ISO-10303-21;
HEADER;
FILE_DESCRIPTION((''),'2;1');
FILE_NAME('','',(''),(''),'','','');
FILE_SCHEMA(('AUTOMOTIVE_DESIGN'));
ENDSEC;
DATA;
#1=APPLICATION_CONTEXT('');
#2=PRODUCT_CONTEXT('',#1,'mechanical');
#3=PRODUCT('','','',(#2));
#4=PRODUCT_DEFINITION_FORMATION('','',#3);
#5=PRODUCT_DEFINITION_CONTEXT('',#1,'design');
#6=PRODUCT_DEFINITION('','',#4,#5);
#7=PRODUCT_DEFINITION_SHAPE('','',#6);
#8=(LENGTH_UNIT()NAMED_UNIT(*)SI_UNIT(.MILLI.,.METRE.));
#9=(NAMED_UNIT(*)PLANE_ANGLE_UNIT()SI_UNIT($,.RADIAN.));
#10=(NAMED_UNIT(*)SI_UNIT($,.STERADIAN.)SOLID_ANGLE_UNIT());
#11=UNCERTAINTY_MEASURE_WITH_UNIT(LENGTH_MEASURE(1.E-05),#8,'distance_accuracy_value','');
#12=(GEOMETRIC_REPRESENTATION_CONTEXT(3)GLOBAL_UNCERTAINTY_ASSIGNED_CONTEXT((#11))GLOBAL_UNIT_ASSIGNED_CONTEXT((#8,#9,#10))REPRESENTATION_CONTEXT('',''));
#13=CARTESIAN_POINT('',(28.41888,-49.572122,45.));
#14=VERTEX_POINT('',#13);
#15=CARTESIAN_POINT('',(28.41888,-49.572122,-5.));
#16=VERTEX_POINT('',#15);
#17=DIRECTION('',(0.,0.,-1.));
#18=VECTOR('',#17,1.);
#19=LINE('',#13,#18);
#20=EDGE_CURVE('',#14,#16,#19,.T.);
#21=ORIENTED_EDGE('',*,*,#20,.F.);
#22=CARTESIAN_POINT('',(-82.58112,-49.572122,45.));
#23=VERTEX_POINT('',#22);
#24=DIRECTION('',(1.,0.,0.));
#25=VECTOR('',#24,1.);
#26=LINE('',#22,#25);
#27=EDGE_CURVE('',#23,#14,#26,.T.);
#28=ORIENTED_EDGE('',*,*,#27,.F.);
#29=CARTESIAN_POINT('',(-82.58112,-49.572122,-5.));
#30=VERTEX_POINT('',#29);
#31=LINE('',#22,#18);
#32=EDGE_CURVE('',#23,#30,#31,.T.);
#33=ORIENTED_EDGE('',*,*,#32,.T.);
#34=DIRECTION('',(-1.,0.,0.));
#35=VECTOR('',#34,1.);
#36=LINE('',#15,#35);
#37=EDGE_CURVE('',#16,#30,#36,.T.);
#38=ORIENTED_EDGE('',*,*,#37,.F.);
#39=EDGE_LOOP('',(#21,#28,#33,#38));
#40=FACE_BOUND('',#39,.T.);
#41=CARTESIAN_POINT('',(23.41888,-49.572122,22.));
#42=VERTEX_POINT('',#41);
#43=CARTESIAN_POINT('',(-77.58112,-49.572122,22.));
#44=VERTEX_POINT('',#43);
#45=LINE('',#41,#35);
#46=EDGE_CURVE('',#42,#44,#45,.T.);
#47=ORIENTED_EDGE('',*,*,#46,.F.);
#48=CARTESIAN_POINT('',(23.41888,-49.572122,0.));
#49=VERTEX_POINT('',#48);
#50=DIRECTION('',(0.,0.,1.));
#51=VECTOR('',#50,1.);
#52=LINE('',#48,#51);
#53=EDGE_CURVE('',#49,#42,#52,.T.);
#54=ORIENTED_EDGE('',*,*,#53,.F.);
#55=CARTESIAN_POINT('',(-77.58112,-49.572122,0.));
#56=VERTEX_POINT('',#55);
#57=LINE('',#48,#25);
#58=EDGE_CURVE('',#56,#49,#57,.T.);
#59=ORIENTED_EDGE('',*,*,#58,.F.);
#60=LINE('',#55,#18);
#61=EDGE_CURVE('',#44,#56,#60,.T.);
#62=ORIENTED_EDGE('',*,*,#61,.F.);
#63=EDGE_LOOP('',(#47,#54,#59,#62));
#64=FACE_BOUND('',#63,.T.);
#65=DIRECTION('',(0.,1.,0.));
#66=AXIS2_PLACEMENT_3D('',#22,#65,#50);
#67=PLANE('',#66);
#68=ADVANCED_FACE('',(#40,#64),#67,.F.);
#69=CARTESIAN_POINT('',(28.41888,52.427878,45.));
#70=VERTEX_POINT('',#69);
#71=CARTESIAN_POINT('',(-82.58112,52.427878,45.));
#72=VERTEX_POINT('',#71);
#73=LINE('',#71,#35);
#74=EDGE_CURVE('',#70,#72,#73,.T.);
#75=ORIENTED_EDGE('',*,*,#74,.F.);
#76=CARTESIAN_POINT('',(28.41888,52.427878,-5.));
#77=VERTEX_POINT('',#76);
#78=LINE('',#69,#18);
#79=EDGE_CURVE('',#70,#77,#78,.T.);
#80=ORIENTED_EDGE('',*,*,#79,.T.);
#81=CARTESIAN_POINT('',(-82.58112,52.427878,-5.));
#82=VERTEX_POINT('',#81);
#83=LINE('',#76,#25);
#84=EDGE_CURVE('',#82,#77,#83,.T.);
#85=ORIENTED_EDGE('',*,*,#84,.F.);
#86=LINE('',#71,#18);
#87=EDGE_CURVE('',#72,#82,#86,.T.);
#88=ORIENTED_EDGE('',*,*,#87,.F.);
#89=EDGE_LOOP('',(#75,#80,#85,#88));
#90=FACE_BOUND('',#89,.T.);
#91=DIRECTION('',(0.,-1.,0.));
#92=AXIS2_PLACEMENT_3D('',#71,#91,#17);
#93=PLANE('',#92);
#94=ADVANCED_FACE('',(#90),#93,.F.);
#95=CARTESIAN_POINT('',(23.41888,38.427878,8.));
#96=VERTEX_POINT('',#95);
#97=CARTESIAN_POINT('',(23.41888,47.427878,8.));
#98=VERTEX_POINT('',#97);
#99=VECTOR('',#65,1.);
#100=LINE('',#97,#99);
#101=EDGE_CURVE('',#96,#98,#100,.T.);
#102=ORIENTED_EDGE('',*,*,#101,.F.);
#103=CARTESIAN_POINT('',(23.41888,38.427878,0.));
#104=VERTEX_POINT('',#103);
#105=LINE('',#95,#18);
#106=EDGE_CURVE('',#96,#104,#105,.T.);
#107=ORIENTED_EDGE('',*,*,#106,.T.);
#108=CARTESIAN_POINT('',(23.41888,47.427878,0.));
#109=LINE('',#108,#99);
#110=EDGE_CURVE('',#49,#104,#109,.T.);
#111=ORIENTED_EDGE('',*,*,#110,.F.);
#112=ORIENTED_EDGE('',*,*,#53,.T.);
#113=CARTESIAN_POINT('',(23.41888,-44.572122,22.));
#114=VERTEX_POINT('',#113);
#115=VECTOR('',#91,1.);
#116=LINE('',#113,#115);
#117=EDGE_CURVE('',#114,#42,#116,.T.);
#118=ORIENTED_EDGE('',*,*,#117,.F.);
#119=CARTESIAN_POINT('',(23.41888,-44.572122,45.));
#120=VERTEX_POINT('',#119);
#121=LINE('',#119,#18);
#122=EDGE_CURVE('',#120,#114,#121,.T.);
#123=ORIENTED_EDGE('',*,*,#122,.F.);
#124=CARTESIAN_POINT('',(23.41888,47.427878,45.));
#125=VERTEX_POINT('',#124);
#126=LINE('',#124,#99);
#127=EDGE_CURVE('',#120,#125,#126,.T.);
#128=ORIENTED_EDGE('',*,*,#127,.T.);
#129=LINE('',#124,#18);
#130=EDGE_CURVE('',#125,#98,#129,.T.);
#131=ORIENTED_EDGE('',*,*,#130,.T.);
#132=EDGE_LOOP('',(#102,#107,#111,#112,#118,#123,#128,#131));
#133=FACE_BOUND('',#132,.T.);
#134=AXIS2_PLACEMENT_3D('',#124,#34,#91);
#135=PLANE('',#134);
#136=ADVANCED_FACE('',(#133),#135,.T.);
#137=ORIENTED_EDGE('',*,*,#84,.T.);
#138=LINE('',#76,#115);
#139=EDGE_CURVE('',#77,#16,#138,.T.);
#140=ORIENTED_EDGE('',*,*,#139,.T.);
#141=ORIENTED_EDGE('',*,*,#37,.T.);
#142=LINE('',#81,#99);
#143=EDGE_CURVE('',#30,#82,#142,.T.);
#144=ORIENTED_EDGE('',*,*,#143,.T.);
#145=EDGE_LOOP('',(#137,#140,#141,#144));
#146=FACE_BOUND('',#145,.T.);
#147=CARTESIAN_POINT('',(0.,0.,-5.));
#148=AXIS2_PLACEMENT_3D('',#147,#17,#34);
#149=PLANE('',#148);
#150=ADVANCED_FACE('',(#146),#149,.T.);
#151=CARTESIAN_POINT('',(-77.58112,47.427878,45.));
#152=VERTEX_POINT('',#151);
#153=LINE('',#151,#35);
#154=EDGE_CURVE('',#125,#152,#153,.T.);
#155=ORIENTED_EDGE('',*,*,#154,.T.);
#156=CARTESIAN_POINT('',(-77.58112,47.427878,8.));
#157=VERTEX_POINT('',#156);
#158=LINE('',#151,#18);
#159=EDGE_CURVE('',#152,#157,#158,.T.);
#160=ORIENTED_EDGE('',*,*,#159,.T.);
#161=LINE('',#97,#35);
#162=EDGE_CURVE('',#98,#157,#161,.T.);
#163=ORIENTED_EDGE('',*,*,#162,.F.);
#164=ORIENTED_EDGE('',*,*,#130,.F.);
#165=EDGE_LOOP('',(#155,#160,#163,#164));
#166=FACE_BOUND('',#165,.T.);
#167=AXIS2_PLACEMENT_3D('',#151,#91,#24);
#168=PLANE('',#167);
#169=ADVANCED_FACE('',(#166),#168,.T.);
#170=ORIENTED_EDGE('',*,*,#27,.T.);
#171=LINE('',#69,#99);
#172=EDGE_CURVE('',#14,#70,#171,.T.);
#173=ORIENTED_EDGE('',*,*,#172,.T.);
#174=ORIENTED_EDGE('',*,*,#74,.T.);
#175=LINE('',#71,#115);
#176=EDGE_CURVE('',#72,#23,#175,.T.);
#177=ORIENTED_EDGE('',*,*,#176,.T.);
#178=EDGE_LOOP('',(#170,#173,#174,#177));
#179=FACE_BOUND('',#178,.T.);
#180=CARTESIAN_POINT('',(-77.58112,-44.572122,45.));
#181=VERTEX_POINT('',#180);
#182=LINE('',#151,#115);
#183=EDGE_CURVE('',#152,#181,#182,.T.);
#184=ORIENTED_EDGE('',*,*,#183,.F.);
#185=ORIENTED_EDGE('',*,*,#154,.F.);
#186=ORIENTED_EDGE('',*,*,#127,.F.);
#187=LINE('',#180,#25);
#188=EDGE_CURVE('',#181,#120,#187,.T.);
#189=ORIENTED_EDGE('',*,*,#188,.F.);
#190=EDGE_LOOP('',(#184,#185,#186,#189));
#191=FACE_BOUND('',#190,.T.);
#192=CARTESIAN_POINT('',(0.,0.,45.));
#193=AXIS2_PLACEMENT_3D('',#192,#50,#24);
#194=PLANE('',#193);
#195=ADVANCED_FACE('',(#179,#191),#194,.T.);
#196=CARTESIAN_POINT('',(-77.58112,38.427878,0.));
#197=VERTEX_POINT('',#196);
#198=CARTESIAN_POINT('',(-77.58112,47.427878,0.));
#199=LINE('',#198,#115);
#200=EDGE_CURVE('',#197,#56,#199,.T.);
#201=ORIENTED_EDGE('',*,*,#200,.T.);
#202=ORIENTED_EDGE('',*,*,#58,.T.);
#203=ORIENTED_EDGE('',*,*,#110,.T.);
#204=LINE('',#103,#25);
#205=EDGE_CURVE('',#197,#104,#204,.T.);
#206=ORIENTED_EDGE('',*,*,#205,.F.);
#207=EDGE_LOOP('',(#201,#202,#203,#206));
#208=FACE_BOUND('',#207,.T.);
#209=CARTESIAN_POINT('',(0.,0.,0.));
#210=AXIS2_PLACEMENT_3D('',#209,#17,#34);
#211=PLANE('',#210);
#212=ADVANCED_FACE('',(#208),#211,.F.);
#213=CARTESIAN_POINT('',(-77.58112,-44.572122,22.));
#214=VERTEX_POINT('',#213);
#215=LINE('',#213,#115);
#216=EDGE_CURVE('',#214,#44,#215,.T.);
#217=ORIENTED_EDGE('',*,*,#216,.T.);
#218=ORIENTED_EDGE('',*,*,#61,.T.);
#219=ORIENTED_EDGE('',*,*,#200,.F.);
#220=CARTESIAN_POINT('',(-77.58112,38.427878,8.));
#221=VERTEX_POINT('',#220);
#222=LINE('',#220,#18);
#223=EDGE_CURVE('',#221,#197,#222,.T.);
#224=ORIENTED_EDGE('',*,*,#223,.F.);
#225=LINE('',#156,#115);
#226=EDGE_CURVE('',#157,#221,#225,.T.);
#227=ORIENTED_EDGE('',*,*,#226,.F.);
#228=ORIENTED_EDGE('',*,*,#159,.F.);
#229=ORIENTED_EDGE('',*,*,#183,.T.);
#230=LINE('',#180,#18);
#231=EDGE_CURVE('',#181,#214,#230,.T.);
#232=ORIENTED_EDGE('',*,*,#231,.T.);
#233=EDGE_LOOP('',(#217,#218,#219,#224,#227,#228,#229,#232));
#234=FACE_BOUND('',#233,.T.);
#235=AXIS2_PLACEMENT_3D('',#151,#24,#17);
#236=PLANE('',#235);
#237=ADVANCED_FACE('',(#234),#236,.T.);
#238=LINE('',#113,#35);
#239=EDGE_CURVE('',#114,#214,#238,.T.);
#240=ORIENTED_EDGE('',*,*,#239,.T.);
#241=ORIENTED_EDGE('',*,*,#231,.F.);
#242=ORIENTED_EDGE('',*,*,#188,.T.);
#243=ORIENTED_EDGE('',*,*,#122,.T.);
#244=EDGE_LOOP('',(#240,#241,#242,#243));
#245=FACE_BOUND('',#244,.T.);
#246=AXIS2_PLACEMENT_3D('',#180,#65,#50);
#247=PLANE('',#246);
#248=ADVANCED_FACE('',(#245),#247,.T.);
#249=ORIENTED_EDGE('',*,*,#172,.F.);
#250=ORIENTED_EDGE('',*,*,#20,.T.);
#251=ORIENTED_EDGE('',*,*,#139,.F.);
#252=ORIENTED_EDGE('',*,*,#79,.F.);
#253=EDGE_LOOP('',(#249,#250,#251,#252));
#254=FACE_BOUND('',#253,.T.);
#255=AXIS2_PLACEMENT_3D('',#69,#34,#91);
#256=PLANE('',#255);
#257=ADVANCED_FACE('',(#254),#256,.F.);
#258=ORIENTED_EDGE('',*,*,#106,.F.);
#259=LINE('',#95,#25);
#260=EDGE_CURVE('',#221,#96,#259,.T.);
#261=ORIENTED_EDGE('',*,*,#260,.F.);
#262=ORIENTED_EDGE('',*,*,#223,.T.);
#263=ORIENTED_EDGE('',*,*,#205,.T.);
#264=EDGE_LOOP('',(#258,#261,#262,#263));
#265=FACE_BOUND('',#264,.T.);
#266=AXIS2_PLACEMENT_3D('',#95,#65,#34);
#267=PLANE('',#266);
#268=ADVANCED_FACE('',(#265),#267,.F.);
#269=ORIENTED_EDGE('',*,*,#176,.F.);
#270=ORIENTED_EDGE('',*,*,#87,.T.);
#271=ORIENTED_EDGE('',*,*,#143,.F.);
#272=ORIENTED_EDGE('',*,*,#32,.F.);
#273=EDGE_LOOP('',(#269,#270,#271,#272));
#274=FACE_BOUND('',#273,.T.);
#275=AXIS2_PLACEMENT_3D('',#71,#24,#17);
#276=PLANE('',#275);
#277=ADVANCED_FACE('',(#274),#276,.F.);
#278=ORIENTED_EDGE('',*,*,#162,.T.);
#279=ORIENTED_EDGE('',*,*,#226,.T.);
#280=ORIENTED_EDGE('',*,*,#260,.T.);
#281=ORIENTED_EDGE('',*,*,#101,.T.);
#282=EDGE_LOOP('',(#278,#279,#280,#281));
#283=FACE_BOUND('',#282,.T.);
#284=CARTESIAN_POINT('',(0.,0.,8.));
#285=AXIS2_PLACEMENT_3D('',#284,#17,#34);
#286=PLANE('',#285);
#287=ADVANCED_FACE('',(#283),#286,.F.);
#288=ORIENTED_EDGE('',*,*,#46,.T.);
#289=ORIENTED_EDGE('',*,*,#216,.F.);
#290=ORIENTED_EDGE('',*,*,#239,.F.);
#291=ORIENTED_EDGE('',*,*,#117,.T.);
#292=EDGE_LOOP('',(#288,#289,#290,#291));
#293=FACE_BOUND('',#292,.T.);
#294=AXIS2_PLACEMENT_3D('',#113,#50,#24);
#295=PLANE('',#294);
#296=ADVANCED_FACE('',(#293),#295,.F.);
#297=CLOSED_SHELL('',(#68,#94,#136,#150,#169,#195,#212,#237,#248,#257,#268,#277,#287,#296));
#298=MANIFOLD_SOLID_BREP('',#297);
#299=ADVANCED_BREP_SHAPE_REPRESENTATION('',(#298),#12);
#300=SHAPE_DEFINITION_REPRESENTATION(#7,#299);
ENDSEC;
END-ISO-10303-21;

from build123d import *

# Parameters (mm, degrees)
SKETCH_1_W          = 111
SKETCH_1_H          = 102
SKETCH_1_W_2        = 101
SKETCH_1_H_2        = 92
EXTRUDE_1_DEPTH     = 45
SKETCH_2_W          = 111
SKETCH_2_H          = 102
EXTRUDE_2_DEPTH     = 5
SKETCH_3_W          = 101
SKETCH_3_H          = 22
CUT_EXTRUDE_4_DEPTH = 5
SKETCH_4_W          = 101
SKETCH_4_H          = 9
EXTRUDE_3_DEPTH     = 8


with BuildPart() as part:
    # 草圖1 → 填料-伸長1 (new body)
    with BuildSketch(Plane.XY):
        with Locations((-27.081120075, 1.427877732)):
            Rectangle(SKETCH_1_W, SKETCH_1_H)
        with Locations((-27.081120075, 1.427877732)):
            Rectangle(SKETCH_1_W_2, SKETCH_1_H_2, mode=Mode.SUBTRACT)
    extrude(amount=EXTRUDE_1_DEPTH)

    # 草圖2 → 填料-伸長2 (add)
    with BuildSketch(Plane(origin=(0, 0, 0), x_dir=(-1, 0, 0), z_dir=(0, 0, -1))):
        with Locations((27.081120075, 1.427877732)):
            Rectangle(SKETCH_2_W, SKETCH_2_H)
    extrude(amount=EXTRUDE_2_DEPTH)

    # 草圖3 → 除料-伸長4 (cut)
    with BuildSketch(Plane.XZ.offset(49.572122268)):
        with Locations((-27.081120075, 11)):
            Rectangle(SKETCH_3_W, SKETCH_3_H)
    extrude(amount=-CUT_EXTRUDE_4_DEPTH, mode=Mode.SUBTRACT)

    # 草圖4 → 填料-伸長3 (add)
    with BuildSketch(Plane.XY):
        with Locations((-27.081120075, 42.927877732)):
            Rectangle(SKETCH_4_W, SKETCH_4_H)
    extrude(amount=EXTRUDE_3_DEPTH)


solid = part.part
